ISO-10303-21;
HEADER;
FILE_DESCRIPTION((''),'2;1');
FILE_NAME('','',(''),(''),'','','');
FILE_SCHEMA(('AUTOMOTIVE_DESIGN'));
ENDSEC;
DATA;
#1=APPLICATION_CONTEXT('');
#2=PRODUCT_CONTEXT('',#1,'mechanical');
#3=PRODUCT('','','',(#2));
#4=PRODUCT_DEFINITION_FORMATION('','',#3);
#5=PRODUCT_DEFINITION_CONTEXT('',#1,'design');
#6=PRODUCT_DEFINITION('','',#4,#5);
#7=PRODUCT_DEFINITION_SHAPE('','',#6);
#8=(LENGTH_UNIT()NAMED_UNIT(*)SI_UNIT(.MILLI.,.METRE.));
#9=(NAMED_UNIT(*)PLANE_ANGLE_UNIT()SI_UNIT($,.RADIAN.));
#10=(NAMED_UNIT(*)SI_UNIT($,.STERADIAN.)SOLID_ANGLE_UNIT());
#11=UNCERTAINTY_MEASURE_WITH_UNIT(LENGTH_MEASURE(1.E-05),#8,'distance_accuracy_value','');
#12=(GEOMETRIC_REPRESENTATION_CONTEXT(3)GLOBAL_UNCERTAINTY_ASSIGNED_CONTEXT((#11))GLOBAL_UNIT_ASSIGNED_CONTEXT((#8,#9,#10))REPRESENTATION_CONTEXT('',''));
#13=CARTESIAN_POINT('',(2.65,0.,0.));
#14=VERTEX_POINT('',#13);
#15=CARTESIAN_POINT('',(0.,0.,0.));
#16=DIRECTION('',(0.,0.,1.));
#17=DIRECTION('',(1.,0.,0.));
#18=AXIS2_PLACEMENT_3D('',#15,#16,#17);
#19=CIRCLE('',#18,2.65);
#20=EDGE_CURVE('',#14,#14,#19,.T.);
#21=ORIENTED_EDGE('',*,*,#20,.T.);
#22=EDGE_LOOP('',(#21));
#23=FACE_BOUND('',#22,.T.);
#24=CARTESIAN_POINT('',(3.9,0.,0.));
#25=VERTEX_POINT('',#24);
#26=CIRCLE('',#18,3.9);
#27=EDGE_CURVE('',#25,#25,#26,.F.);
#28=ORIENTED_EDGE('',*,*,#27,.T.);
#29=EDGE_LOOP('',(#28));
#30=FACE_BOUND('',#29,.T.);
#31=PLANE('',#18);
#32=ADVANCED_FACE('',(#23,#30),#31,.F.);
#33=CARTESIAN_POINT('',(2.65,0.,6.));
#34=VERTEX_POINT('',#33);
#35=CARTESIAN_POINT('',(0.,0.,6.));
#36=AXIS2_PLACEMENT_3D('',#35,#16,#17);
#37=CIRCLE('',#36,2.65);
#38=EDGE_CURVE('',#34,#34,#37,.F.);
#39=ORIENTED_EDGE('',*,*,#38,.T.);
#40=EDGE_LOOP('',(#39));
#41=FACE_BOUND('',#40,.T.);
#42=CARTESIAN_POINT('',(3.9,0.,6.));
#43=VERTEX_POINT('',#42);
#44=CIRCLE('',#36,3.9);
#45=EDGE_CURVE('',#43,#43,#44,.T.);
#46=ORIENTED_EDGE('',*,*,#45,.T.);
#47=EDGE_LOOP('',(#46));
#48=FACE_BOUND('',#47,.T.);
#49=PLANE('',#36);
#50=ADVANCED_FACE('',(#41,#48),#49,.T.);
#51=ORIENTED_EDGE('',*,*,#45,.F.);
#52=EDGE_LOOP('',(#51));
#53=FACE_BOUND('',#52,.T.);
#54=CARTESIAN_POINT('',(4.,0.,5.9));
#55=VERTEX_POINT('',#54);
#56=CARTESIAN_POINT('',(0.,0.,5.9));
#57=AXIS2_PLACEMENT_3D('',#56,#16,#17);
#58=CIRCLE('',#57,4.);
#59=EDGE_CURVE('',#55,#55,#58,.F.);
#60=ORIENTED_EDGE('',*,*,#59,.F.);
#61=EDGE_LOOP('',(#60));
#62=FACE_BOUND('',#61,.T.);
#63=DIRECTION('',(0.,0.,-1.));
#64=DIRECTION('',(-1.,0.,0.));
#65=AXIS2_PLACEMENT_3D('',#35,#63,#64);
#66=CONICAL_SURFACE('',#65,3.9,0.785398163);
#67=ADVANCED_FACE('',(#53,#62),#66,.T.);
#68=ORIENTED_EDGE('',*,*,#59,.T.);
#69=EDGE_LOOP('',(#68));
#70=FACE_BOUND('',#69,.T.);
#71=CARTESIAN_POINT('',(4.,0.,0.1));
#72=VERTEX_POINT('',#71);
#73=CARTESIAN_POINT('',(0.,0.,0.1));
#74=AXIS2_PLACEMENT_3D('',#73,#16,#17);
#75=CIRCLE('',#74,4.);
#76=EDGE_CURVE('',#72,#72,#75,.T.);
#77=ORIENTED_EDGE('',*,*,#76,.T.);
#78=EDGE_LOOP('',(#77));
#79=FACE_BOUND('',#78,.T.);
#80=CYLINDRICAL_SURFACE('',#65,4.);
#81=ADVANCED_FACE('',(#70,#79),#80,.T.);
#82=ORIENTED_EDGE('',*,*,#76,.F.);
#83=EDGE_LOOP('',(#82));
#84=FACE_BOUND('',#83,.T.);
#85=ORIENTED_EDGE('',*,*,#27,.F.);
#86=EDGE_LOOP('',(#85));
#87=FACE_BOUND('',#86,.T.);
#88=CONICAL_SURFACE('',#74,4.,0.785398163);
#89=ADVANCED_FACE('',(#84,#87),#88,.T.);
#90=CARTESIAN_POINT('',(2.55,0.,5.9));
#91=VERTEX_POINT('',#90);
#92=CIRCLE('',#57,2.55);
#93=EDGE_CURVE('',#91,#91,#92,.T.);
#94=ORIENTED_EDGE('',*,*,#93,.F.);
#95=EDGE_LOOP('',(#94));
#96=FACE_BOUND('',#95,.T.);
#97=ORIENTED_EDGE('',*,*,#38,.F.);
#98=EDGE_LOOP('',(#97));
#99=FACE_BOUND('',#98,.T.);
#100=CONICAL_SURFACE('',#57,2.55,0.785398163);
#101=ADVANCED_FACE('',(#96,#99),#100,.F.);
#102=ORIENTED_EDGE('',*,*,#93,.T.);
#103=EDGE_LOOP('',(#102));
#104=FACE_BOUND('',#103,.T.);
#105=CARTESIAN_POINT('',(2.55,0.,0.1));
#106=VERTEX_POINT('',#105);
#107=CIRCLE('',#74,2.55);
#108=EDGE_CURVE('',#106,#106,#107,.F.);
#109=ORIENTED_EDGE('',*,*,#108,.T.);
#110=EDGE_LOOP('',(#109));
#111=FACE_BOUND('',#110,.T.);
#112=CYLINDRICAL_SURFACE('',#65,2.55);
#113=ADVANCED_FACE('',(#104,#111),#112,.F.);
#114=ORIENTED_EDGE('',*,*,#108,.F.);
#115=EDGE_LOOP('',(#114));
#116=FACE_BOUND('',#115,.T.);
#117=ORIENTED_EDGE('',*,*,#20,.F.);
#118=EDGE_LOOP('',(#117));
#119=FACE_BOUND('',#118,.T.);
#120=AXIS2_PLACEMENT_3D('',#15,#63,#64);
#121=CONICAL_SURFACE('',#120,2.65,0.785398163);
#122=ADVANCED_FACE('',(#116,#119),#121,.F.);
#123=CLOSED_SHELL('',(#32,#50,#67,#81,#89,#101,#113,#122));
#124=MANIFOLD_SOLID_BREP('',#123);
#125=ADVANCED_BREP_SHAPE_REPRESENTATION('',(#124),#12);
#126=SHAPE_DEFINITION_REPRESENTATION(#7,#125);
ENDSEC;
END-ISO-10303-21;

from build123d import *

# Parameters (mm, degrees)
ESBO_O1_R                = 4
ESBO_O1_R_2              = 2.55
RESSALTO_EXTRUS_O1_DEPTH = 6
CHANFRO1_SIZE            = 0.1


with BuildPart() as part:
    # Esboço1 → Ressalto-extrusão1 (new body)
    with BuildSketch(Plane.XY):
        Circle(ESBO_O1_R)
        Circle(ESBO_O1_R_2, mode=Mode.SUBTRACT)
    extrude(amount=RESSALTO_EXTRUS_O1_DEPTH)

    # Chanfro1
    chanfro1_edges = [part.edges().sort_by_distance(p)[0] for p in [
        (-4, 0, 0),
        (-4, 0, 6),
        (-2.55, 0, 0),
        (-2.55, 0, 6),
    ]]
    chamfer(chanfro1_edges, length=CHANFRO1_SIZE)


solid = part.part
